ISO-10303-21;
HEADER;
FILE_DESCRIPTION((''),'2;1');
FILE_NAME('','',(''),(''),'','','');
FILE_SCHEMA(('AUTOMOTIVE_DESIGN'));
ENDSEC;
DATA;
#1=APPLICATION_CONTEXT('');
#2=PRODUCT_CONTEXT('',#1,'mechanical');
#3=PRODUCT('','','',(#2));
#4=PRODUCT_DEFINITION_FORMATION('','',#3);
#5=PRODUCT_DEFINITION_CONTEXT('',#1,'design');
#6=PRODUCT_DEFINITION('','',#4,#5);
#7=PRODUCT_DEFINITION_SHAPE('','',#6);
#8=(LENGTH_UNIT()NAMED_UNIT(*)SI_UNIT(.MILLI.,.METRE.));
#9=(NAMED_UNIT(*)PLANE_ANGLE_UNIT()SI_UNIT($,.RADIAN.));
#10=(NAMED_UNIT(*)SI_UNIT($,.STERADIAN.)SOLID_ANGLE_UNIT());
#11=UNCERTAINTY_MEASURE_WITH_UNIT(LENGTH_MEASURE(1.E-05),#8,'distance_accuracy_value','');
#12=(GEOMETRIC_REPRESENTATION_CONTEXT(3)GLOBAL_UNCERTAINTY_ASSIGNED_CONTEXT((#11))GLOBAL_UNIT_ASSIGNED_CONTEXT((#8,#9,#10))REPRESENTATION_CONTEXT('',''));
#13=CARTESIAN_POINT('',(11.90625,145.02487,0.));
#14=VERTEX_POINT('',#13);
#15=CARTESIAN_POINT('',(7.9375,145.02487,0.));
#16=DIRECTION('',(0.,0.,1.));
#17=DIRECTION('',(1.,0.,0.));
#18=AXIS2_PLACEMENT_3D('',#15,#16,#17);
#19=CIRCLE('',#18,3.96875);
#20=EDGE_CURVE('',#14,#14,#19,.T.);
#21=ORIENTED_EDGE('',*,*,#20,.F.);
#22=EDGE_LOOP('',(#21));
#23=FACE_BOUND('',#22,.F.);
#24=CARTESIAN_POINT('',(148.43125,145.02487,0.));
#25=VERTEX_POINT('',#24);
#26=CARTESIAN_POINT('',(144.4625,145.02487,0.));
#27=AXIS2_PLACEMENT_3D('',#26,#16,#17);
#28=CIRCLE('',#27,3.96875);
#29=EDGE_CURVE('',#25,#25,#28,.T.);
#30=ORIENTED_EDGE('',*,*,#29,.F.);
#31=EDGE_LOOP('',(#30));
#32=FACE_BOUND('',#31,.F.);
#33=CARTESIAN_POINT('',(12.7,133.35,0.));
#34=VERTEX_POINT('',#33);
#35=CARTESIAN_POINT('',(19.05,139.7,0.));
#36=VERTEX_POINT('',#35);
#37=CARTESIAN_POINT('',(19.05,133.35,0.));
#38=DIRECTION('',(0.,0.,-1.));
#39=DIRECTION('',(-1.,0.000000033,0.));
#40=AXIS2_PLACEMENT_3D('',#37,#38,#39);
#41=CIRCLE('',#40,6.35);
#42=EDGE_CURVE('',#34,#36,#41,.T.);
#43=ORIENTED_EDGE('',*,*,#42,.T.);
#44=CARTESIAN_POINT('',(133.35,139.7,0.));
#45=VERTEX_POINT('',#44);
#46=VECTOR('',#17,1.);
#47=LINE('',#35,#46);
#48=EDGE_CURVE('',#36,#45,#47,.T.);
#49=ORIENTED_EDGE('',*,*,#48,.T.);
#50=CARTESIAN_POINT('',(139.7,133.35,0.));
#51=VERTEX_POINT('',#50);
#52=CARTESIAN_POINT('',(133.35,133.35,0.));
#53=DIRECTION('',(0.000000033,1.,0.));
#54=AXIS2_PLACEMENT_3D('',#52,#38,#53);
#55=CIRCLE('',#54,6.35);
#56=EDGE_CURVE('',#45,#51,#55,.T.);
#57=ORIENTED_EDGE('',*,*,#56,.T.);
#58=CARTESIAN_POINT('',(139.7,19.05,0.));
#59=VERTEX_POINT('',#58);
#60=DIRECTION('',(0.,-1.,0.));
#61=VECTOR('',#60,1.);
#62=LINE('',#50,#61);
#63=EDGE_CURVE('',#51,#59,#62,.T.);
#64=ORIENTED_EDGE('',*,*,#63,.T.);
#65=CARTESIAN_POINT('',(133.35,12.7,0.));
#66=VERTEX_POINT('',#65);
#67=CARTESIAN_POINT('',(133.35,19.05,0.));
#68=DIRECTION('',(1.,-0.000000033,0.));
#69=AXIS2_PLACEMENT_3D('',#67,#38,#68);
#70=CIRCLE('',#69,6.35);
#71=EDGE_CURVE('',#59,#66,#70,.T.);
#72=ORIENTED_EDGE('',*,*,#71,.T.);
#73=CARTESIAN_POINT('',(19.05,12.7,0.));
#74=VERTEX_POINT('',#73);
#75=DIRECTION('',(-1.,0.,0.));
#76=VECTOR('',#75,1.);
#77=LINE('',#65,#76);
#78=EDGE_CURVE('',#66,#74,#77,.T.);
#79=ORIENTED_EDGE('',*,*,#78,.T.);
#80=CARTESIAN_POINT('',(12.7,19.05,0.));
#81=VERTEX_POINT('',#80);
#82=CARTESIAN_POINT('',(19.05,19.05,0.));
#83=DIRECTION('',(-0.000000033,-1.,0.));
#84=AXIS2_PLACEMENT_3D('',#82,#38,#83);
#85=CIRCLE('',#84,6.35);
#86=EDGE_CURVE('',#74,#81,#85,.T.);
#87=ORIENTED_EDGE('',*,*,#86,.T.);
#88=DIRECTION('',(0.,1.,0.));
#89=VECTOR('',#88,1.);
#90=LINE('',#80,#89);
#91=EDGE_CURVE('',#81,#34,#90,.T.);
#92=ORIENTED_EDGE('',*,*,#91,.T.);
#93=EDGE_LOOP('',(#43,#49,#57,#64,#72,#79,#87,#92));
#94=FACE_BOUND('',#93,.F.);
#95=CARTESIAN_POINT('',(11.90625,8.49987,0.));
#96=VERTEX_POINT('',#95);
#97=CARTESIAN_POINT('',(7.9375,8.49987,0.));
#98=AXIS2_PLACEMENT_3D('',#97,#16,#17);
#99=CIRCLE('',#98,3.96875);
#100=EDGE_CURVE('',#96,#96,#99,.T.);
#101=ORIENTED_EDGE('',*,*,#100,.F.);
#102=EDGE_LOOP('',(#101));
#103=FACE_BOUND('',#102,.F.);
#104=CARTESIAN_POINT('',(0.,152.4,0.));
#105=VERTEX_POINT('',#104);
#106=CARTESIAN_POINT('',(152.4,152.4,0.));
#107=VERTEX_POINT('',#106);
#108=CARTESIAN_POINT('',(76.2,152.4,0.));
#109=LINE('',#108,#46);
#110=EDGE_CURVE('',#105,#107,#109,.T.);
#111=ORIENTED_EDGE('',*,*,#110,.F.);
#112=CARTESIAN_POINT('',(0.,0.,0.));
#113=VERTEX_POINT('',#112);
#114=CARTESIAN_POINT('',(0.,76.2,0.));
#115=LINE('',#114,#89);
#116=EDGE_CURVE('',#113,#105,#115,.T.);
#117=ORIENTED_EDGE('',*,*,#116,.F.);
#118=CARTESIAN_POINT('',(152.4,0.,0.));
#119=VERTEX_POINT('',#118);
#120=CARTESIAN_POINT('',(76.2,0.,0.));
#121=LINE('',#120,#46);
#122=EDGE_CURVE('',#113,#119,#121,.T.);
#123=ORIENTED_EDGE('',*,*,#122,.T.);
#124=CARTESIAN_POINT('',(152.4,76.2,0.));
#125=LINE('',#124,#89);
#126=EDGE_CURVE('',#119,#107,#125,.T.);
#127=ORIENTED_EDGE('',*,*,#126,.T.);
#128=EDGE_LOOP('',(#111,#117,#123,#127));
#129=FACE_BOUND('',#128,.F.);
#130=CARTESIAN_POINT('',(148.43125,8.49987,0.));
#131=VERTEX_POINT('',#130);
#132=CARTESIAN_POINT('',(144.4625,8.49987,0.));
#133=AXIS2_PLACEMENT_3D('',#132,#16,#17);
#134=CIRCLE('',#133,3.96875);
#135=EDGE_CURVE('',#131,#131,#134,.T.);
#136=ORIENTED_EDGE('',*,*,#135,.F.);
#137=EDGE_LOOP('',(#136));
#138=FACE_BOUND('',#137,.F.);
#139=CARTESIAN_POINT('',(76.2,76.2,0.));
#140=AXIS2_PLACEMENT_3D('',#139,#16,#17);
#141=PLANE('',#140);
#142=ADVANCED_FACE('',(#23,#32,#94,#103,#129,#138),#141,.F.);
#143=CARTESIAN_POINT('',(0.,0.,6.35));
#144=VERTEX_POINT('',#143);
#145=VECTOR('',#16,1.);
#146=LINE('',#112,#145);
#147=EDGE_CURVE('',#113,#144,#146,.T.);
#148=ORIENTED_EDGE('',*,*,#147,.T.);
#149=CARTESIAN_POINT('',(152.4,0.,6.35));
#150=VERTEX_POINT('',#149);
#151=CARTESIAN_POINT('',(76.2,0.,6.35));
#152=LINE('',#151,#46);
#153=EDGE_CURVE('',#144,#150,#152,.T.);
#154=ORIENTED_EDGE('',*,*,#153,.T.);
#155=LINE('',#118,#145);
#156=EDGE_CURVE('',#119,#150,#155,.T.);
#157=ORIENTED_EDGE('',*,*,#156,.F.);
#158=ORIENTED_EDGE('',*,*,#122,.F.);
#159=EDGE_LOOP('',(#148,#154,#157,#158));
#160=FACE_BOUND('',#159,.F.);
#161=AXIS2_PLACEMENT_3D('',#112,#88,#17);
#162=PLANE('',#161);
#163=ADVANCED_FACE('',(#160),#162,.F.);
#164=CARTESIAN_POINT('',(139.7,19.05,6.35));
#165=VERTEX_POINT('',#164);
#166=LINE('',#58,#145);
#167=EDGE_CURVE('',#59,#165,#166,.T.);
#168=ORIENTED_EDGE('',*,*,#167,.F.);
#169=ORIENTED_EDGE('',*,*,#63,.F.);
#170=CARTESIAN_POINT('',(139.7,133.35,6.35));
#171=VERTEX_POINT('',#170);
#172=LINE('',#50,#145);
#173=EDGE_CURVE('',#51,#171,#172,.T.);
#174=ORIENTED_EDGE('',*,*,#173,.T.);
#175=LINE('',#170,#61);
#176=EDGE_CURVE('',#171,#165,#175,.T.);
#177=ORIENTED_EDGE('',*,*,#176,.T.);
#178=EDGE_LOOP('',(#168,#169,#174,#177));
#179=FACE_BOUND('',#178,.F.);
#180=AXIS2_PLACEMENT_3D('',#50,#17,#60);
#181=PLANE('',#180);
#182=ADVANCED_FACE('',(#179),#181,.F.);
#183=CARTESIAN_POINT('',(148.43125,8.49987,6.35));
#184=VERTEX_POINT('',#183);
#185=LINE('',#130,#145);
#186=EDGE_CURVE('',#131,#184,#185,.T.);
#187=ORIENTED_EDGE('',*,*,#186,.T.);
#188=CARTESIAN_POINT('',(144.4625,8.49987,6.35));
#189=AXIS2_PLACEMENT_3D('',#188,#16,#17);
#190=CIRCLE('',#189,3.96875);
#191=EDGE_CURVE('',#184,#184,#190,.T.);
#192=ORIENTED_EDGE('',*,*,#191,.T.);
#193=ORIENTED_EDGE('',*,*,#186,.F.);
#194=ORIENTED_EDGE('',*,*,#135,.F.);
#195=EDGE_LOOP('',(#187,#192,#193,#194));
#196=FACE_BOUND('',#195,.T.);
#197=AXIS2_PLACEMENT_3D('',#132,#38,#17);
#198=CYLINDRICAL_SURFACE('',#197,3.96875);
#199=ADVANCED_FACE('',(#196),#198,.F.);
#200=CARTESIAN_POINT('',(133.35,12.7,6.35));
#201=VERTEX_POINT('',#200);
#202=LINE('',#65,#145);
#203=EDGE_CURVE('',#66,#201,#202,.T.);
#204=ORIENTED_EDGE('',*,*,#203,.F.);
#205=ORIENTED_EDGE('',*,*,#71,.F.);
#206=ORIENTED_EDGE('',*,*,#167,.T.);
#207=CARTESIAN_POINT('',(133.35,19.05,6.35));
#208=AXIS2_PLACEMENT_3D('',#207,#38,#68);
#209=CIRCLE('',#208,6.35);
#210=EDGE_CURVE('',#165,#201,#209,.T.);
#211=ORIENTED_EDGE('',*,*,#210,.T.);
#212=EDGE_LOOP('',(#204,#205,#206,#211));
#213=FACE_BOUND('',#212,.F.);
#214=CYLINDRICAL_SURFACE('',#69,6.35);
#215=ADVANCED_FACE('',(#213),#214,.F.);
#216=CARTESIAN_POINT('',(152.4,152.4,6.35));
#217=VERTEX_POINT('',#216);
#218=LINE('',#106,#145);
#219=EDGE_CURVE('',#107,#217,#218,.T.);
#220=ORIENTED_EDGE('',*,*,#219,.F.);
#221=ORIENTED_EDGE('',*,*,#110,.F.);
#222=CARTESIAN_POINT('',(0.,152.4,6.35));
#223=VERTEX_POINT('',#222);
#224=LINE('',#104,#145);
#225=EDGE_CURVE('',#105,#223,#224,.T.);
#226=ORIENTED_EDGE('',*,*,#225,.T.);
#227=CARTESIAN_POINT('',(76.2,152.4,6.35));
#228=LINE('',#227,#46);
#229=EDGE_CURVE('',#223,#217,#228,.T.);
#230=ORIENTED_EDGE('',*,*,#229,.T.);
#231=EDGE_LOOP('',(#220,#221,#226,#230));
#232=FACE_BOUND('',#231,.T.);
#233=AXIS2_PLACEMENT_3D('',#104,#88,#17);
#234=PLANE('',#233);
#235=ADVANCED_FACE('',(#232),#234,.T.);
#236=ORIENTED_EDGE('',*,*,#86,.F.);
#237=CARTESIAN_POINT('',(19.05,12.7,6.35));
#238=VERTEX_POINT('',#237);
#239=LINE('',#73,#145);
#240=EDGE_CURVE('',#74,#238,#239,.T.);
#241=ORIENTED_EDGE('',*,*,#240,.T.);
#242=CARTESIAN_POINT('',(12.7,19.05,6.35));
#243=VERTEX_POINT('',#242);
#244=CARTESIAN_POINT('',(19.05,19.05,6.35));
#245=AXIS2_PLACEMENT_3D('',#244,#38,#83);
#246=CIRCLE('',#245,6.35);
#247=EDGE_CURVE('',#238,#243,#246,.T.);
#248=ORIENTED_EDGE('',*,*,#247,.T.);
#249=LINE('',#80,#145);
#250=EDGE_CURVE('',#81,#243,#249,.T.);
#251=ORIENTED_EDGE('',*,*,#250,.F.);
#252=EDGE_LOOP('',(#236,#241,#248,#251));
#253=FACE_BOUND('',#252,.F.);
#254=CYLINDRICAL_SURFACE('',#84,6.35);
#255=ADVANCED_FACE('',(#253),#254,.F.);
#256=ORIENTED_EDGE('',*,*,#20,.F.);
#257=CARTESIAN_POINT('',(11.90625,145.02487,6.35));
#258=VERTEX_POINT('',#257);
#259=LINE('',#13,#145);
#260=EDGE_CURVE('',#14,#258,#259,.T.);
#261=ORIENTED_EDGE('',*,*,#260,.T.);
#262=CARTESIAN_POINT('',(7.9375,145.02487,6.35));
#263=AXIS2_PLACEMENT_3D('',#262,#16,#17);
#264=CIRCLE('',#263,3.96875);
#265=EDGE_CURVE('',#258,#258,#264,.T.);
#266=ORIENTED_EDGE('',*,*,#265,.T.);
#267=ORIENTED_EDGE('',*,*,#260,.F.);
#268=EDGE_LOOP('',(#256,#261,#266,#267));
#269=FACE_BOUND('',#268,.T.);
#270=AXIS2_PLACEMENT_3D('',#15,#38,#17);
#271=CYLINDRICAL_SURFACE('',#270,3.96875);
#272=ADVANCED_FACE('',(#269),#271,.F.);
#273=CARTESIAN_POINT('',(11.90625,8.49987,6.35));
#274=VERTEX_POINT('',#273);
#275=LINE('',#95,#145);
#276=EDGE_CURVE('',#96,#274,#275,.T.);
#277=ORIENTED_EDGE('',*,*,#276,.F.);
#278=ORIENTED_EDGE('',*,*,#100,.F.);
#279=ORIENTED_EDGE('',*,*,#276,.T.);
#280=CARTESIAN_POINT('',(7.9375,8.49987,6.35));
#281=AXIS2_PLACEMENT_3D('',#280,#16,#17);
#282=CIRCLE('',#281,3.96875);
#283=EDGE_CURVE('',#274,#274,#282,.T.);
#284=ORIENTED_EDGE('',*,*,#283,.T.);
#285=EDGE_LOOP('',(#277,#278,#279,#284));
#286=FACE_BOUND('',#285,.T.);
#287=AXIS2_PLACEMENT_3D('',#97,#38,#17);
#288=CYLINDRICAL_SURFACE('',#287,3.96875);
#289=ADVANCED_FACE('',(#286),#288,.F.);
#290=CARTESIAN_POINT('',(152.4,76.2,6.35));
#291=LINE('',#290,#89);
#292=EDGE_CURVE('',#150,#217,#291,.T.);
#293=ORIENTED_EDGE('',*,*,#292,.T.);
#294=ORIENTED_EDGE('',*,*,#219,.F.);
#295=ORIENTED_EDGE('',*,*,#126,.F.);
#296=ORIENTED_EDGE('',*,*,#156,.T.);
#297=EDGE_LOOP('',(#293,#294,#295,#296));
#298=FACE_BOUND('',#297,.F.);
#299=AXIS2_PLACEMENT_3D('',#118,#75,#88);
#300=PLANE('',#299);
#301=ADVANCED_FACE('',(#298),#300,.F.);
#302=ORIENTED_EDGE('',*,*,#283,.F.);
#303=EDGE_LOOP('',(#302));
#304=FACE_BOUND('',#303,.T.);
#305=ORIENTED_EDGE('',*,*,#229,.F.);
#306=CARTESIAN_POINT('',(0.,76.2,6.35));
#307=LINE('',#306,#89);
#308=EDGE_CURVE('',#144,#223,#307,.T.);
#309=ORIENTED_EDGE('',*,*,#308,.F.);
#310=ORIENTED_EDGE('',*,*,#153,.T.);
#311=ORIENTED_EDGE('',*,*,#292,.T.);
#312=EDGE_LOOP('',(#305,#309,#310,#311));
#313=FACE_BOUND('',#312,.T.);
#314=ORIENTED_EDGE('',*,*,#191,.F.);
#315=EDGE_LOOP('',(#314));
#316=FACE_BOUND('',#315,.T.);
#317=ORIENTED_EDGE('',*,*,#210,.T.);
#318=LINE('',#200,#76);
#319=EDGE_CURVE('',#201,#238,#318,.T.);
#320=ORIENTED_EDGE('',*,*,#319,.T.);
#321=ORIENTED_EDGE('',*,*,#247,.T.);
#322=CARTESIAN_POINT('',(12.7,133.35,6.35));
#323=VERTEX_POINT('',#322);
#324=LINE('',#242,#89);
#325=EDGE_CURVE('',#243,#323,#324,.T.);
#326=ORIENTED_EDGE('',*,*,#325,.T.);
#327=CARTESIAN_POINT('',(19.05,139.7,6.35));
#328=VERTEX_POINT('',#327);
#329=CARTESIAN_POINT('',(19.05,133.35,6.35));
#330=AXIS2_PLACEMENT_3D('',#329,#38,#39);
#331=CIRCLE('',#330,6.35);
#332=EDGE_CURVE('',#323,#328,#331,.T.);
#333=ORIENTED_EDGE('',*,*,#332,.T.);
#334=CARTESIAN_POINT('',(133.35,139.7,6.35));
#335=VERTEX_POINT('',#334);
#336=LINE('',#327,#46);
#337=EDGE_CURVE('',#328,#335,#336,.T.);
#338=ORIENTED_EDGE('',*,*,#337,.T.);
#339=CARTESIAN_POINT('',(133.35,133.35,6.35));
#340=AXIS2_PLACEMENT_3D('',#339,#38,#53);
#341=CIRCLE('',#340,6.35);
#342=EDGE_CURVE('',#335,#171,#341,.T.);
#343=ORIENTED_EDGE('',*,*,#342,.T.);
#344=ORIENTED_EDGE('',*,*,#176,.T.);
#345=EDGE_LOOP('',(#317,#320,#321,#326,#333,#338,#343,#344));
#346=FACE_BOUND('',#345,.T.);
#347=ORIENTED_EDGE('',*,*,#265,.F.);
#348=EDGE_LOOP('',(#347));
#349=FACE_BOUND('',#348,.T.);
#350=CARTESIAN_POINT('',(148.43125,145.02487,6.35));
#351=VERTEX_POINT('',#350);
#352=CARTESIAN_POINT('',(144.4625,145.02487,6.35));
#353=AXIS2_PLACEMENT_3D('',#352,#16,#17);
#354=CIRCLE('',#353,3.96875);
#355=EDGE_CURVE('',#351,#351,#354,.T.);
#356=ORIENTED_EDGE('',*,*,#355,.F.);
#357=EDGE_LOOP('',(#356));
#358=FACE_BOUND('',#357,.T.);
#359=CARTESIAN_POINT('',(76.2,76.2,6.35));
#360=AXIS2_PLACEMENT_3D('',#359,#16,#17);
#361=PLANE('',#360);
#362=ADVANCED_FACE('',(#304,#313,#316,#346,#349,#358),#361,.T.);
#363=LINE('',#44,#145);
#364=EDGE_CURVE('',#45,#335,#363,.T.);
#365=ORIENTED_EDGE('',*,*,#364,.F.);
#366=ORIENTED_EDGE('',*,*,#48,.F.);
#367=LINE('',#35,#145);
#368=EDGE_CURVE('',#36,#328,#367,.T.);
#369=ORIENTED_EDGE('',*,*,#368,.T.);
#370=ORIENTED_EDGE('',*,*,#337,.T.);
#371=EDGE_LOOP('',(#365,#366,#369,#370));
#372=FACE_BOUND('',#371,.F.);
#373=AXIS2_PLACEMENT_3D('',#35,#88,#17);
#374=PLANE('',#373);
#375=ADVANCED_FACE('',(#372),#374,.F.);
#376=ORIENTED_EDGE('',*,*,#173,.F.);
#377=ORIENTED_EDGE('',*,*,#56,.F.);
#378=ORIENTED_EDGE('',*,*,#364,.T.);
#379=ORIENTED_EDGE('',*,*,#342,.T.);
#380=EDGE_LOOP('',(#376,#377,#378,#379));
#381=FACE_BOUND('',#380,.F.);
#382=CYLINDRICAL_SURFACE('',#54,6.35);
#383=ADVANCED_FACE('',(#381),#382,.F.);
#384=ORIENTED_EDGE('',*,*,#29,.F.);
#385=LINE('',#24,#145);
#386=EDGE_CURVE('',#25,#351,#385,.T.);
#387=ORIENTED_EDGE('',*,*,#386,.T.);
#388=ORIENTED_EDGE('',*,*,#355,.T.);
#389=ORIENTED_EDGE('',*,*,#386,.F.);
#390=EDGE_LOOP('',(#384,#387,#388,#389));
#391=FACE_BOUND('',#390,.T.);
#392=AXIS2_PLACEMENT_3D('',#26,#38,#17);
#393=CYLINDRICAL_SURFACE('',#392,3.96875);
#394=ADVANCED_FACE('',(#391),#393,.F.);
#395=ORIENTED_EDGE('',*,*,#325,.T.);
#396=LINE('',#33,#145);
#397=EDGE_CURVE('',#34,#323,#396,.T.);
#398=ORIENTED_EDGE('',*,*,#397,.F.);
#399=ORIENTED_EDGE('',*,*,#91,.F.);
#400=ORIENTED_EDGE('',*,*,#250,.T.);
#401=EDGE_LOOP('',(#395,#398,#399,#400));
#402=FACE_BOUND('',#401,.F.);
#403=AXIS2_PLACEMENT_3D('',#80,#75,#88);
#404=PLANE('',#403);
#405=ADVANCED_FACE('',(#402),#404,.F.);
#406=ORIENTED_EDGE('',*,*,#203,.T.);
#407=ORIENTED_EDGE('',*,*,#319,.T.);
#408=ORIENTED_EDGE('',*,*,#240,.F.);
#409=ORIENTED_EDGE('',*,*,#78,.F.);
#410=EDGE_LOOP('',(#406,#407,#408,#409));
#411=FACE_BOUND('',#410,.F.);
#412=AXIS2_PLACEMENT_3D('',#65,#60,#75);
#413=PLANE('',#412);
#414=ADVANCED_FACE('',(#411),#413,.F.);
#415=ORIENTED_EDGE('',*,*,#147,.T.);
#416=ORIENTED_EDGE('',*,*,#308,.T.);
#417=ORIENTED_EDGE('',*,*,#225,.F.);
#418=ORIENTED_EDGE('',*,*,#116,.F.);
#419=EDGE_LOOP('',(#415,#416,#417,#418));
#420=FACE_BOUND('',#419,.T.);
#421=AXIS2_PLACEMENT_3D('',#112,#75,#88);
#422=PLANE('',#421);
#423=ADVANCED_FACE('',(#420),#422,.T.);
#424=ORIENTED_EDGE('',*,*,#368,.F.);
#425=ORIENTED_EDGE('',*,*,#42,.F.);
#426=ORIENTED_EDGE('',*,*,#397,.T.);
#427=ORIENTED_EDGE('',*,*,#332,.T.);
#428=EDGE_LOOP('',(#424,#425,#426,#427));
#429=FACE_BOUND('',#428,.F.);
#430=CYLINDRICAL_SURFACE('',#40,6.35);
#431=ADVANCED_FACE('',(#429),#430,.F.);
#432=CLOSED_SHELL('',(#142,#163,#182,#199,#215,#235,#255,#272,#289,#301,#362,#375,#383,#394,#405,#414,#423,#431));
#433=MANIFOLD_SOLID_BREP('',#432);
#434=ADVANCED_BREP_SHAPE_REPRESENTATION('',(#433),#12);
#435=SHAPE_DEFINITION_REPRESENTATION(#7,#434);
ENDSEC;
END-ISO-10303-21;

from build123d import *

# Parameters (mm, degrees)
F0_W     = 152.4
F0_H     = 152.4
F0_R     = 3.96875
F1_DEPTH = 6.35


with BuildPart() as f1:
    # F0 (on Top) → F1 (new body)
    with BuildSketch(Plane.XY):
        with Locations((76.2, 76.2)):
            Rectangle(F0_W, F0_H)
        with Locations((7.9375, 8.49987)):
            Circle(F0_R, mode=Mode.SUBTRACT)
        with BuildLine():
            Line((133.35, 12.7), (19.05, 12.7))
            ThreePointArc((19.05, 12.7), (14.559872, 14.559872), (12.7, 19.05))
            Line((12.7, 19.05), (12.7, 133.35))
            ThreePointArc((12.7, 133.35), (14.559872, 137.840128), (19.05, 139.7))
            Line((19.05, 139.7), (133.35, 139.7))
            ThreePointArc((133.35, 139.7), (137.840128, 137.840128), (139.7, 133.35))
            Line((139.7, 133.35), (139.7, 19.05))
            ThreePointArc((139.7, 19.05), (137.840128, 14.559872), (133.35, 12.7))
        make_face(mode=Mode.SUBTRACT)
        with Locations((144.4625, 8.49987)):
            Circle(F0_R, mode=Mode.SUBTRACT)
        with Locations((7.9375, 145.02487)):
            Circle(F0_R, mode=Mode.SUBTRACT)
        with Locations((144.4625, 145.02487)):
            Circle(F0_R, mode=Mode.SUBTRACT)
    extrude(amount=F1_DEPTH)


solid = f1.part
